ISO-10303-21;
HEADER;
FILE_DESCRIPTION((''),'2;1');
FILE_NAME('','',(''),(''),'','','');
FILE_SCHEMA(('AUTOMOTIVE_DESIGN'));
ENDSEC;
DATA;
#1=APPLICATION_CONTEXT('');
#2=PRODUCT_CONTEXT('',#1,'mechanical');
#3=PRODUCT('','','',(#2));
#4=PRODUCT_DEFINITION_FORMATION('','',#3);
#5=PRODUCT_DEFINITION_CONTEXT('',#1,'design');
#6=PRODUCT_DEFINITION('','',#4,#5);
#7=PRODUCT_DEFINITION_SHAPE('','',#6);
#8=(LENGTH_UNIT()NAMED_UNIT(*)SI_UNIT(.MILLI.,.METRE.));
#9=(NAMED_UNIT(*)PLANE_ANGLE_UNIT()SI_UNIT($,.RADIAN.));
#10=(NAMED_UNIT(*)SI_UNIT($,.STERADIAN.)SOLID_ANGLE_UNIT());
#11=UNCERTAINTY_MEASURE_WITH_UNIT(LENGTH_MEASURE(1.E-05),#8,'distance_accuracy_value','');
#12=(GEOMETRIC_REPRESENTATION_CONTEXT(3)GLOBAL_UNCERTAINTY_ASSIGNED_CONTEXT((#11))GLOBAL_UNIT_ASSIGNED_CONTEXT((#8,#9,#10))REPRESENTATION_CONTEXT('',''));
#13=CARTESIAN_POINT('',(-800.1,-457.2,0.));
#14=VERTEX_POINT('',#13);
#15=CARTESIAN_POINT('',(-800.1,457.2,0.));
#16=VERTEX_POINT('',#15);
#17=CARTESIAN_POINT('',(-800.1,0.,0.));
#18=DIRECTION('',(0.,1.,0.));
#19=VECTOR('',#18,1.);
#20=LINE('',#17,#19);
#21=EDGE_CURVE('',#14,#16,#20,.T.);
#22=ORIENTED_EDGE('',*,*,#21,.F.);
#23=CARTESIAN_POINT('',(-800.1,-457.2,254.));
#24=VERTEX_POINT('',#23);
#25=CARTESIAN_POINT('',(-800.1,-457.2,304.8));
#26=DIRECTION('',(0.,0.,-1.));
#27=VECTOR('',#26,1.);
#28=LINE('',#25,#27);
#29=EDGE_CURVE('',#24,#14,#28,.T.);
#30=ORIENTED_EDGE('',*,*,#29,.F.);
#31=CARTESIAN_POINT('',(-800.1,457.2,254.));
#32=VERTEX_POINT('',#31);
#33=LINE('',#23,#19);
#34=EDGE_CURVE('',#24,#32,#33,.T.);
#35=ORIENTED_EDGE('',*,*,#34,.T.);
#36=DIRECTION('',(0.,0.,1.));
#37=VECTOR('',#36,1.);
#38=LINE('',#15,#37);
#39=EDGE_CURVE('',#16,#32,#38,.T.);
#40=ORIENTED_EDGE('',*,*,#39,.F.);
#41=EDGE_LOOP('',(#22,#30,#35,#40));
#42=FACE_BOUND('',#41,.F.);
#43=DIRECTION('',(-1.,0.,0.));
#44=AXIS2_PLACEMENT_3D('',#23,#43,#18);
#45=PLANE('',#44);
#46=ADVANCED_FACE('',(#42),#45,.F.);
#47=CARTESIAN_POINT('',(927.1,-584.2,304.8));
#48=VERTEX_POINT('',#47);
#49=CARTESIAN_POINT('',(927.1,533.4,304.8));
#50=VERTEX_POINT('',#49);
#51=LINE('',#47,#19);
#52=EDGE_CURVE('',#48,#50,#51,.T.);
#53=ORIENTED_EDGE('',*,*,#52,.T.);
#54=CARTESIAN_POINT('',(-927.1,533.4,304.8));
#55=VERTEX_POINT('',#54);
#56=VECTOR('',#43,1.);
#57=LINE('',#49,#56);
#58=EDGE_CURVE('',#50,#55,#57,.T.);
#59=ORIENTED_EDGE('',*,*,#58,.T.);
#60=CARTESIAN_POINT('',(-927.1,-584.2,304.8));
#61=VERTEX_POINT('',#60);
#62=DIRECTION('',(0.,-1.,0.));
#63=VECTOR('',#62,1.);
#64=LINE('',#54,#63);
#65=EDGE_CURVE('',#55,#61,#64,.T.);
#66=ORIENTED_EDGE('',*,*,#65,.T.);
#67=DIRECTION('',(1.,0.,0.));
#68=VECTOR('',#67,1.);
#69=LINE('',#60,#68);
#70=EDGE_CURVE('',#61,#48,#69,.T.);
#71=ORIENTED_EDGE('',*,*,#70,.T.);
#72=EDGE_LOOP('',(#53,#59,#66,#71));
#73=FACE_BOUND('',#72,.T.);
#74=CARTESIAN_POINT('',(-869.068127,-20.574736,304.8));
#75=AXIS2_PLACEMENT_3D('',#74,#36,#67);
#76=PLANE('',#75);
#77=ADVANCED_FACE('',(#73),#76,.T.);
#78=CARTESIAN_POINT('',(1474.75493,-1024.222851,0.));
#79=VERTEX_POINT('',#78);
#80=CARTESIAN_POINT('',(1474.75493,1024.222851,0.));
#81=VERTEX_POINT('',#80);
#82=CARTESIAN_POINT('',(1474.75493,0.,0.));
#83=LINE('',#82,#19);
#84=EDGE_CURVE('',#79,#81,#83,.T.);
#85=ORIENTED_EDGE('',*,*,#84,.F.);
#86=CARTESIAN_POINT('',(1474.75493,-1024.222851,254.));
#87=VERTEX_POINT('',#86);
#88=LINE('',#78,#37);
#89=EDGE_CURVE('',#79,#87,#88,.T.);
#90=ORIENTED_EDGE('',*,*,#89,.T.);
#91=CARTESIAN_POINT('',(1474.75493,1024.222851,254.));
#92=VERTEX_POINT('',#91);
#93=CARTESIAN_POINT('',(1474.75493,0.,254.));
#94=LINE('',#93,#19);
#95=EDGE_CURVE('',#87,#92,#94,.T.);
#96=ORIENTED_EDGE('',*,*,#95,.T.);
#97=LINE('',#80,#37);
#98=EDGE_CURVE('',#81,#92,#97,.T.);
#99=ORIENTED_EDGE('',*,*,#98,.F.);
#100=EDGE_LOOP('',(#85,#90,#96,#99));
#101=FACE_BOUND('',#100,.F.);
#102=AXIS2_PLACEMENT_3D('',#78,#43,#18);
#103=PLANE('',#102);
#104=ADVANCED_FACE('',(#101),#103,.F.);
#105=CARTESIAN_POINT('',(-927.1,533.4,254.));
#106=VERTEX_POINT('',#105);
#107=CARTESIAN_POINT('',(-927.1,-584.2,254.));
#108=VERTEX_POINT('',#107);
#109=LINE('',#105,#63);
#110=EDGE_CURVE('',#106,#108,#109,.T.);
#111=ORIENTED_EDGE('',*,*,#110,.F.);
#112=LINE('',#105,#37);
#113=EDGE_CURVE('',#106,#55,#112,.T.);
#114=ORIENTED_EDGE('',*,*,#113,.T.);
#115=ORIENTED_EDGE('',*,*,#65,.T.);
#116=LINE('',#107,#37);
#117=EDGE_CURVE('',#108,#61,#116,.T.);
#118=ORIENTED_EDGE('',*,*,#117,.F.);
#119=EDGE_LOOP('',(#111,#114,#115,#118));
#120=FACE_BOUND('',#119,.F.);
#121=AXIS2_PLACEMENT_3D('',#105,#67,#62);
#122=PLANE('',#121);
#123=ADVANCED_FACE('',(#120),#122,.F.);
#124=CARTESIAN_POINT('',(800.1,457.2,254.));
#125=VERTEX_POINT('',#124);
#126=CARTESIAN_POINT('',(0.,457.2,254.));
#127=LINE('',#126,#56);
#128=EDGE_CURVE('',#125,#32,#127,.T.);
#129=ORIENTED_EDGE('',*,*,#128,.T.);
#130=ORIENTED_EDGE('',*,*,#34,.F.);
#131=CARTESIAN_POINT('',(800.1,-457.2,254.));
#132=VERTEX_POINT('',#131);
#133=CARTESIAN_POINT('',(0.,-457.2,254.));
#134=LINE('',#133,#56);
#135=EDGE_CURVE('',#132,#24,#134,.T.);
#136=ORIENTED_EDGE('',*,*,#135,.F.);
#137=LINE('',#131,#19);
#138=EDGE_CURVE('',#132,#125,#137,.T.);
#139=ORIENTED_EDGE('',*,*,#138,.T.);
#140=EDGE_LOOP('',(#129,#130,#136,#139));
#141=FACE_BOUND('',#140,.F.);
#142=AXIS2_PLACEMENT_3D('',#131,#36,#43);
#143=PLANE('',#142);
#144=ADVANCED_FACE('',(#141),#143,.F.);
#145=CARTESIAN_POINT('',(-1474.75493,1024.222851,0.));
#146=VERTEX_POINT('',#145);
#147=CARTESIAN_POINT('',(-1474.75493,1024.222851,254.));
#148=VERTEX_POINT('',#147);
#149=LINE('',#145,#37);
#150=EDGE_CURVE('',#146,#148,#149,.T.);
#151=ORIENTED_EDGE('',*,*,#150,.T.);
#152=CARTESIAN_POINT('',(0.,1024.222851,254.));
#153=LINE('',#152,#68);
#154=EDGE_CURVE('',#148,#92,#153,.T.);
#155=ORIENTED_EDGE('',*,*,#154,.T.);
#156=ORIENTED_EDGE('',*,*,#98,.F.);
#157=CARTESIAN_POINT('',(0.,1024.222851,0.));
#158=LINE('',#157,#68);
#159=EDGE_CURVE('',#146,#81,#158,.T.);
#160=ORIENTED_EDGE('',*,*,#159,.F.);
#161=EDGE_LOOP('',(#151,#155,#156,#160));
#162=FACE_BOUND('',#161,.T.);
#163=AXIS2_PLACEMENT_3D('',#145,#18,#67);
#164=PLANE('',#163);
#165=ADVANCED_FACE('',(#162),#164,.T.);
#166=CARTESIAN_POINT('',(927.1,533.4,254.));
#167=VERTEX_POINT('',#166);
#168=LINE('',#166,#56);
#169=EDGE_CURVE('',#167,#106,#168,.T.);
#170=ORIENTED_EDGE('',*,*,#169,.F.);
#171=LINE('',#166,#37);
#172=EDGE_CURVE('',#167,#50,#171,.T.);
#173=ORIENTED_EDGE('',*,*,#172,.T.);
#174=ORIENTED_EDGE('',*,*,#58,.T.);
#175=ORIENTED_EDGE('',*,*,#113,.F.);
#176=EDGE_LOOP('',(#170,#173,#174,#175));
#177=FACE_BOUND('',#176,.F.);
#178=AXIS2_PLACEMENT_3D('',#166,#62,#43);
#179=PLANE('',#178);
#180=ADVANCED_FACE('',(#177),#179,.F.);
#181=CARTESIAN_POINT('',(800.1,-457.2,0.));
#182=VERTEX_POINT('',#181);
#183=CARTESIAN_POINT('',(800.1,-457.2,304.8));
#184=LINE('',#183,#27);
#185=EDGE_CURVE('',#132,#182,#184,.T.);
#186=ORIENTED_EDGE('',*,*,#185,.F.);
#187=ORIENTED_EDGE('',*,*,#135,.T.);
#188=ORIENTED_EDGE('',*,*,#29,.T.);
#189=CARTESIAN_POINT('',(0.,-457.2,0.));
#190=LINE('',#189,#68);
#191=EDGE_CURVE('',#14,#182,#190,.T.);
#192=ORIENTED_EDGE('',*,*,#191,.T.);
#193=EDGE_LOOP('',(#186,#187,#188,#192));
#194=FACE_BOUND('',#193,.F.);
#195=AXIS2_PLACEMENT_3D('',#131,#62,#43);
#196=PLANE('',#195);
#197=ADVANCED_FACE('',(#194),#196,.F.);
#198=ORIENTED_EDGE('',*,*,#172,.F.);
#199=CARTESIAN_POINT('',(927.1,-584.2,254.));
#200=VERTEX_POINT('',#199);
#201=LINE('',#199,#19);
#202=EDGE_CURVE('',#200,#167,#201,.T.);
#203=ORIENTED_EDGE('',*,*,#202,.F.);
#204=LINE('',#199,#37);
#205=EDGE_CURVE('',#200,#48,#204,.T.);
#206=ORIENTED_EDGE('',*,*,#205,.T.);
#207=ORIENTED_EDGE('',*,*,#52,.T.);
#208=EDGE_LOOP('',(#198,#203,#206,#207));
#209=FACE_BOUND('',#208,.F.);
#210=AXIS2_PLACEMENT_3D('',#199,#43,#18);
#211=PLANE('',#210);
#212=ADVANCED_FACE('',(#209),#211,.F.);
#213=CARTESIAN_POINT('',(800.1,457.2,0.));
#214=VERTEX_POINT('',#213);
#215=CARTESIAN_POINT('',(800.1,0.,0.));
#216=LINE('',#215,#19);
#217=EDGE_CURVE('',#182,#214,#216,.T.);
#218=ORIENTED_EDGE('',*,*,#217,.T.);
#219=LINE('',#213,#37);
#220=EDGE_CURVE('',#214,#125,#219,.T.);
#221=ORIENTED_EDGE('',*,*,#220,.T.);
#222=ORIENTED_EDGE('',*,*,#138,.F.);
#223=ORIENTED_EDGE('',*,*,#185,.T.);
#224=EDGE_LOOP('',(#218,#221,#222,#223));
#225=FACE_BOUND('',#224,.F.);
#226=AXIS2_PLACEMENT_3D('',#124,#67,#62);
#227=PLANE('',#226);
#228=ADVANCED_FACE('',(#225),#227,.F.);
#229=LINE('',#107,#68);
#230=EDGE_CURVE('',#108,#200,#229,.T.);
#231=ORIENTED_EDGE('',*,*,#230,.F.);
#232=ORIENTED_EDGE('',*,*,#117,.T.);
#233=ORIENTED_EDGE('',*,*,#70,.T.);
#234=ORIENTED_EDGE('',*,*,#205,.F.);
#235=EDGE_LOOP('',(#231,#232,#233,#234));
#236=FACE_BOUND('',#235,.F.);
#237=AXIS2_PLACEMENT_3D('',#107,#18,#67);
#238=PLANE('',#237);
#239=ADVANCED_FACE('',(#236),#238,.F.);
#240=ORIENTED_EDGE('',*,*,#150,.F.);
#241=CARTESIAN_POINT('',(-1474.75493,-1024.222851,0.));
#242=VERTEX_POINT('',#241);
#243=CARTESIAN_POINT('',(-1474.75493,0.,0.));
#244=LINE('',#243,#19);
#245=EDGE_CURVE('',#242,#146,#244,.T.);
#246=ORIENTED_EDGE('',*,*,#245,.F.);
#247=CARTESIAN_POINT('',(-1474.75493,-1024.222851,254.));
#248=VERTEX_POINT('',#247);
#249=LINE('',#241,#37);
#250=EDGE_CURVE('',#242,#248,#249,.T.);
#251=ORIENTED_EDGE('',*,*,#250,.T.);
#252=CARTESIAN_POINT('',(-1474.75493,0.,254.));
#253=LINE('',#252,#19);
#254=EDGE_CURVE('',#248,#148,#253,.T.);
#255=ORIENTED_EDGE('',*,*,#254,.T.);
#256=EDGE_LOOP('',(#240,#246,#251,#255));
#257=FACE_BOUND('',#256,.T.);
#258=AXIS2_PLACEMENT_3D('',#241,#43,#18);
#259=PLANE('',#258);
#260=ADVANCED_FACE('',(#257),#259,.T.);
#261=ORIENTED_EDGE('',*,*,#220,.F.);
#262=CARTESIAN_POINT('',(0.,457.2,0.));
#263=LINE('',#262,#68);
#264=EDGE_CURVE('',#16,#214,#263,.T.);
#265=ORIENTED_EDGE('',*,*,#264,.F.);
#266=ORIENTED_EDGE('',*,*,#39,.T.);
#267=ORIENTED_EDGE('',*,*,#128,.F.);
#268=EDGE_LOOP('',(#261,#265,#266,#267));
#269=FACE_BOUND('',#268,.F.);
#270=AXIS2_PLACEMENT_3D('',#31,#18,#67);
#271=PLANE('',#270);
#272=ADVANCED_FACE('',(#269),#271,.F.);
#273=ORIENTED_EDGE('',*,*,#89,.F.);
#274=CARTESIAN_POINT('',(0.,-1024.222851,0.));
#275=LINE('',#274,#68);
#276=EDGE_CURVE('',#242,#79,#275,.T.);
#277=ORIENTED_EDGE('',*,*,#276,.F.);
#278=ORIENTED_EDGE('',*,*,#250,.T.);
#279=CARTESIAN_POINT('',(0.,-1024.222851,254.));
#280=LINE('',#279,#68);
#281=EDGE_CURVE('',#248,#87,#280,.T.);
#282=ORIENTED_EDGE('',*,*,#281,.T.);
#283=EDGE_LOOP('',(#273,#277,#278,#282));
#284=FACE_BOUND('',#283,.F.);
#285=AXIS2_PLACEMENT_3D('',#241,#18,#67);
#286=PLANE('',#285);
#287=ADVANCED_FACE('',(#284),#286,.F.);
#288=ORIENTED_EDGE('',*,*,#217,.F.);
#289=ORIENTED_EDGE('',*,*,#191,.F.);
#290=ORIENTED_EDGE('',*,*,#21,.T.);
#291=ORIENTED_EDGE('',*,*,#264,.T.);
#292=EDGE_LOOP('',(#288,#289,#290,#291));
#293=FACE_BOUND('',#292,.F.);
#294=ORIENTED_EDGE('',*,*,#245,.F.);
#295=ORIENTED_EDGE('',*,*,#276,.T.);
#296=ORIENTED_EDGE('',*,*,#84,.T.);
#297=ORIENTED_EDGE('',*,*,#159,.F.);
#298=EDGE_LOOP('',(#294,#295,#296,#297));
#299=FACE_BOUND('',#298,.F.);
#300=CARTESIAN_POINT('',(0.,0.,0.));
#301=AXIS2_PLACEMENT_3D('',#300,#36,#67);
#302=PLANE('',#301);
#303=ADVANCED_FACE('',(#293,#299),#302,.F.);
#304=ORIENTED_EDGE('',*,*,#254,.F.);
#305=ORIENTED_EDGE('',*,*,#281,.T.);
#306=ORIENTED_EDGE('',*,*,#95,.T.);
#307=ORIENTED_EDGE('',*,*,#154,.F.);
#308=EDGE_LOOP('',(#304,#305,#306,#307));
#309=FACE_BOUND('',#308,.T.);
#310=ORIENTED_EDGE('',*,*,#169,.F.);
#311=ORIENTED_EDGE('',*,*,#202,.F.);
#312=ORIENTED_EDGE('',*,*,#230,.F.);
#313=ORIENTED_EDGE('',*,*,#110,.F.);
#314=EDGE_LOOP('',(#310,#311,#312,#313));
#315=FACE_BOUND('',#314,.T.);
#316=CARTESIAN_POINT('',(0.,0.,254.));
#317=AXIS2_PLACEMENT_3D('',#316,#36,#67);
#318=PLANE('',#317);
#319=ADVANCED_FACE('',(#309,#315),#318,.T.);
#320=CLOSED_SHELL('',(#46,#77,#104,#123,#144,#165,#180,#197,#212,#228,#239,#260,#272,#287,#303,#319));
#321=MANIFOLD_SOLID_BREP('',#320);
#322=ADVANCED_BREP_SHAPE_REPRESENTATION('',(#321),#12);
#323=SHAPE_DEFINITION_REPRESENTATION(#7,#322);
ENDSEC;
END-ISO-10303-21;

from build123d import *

# Parameters (mm, degrees)
F0_W     = 2949.5098590851
F0_H     = 2048.4457015991
F0_W_2   = 1600.2
F0_H_2   = 914.4
F1_DEPTH = 254
F3_DEPTH = 50.8
F4_W     = 1600.2
F4_H     = 50.8
F5_DEPTH = 914.4


with BuildPart() as f1:
    # F0 (on Top) → F1 (new body)
    with BuildSketch(Plane.XY):
        Rectangle(F0_W, F0_H)
        Rectangle(F0_W_2, F0_H_2, mode=Mode.SUBTRACT)
    extrude(amount=F1_DEPTH)

    # F2 (on face) → F3 (join)
    with BuildSketch(Plane.XY.offset(254)):
        Polygon((-927.1, -584.2), (-800.1, -457.2), (-800.1, 457.2), (-927.1, 533.4), (-927.1, 457.2), (-927.1, -457.2), align=None)
        Polygon((-927.1, 533.4), (-800.1, 457.2), (800.1, 457.2), (927.1, 533.4), (800.1, 533.4), (-800.1, 533.4), align=None)
        Polygon((800.1, 457.2), (800.1, -457.2), (927.1, -584.2), (927.1, -457.2), (927.1, 533.4), align=None)
        Polygon((800.1, -457.2), (-800.1, -457.2), (-927.1, -584.2), (927.1, -584.2), align=None)
    extrude(amount=F3_DEPTH)

    # F4 (on face) → F5 (join, through all)
    with BuildSketch(Plane(origin=(0, -457.2, 0), x_dir=(-1, 0, 0), z_dir=(0, 1, 0))):
        with Locations((0, 279.4)):
            Rectangle(F4_W, F4_H)
    extrude(amount=F5_DEPTH)


solid = f1.part
